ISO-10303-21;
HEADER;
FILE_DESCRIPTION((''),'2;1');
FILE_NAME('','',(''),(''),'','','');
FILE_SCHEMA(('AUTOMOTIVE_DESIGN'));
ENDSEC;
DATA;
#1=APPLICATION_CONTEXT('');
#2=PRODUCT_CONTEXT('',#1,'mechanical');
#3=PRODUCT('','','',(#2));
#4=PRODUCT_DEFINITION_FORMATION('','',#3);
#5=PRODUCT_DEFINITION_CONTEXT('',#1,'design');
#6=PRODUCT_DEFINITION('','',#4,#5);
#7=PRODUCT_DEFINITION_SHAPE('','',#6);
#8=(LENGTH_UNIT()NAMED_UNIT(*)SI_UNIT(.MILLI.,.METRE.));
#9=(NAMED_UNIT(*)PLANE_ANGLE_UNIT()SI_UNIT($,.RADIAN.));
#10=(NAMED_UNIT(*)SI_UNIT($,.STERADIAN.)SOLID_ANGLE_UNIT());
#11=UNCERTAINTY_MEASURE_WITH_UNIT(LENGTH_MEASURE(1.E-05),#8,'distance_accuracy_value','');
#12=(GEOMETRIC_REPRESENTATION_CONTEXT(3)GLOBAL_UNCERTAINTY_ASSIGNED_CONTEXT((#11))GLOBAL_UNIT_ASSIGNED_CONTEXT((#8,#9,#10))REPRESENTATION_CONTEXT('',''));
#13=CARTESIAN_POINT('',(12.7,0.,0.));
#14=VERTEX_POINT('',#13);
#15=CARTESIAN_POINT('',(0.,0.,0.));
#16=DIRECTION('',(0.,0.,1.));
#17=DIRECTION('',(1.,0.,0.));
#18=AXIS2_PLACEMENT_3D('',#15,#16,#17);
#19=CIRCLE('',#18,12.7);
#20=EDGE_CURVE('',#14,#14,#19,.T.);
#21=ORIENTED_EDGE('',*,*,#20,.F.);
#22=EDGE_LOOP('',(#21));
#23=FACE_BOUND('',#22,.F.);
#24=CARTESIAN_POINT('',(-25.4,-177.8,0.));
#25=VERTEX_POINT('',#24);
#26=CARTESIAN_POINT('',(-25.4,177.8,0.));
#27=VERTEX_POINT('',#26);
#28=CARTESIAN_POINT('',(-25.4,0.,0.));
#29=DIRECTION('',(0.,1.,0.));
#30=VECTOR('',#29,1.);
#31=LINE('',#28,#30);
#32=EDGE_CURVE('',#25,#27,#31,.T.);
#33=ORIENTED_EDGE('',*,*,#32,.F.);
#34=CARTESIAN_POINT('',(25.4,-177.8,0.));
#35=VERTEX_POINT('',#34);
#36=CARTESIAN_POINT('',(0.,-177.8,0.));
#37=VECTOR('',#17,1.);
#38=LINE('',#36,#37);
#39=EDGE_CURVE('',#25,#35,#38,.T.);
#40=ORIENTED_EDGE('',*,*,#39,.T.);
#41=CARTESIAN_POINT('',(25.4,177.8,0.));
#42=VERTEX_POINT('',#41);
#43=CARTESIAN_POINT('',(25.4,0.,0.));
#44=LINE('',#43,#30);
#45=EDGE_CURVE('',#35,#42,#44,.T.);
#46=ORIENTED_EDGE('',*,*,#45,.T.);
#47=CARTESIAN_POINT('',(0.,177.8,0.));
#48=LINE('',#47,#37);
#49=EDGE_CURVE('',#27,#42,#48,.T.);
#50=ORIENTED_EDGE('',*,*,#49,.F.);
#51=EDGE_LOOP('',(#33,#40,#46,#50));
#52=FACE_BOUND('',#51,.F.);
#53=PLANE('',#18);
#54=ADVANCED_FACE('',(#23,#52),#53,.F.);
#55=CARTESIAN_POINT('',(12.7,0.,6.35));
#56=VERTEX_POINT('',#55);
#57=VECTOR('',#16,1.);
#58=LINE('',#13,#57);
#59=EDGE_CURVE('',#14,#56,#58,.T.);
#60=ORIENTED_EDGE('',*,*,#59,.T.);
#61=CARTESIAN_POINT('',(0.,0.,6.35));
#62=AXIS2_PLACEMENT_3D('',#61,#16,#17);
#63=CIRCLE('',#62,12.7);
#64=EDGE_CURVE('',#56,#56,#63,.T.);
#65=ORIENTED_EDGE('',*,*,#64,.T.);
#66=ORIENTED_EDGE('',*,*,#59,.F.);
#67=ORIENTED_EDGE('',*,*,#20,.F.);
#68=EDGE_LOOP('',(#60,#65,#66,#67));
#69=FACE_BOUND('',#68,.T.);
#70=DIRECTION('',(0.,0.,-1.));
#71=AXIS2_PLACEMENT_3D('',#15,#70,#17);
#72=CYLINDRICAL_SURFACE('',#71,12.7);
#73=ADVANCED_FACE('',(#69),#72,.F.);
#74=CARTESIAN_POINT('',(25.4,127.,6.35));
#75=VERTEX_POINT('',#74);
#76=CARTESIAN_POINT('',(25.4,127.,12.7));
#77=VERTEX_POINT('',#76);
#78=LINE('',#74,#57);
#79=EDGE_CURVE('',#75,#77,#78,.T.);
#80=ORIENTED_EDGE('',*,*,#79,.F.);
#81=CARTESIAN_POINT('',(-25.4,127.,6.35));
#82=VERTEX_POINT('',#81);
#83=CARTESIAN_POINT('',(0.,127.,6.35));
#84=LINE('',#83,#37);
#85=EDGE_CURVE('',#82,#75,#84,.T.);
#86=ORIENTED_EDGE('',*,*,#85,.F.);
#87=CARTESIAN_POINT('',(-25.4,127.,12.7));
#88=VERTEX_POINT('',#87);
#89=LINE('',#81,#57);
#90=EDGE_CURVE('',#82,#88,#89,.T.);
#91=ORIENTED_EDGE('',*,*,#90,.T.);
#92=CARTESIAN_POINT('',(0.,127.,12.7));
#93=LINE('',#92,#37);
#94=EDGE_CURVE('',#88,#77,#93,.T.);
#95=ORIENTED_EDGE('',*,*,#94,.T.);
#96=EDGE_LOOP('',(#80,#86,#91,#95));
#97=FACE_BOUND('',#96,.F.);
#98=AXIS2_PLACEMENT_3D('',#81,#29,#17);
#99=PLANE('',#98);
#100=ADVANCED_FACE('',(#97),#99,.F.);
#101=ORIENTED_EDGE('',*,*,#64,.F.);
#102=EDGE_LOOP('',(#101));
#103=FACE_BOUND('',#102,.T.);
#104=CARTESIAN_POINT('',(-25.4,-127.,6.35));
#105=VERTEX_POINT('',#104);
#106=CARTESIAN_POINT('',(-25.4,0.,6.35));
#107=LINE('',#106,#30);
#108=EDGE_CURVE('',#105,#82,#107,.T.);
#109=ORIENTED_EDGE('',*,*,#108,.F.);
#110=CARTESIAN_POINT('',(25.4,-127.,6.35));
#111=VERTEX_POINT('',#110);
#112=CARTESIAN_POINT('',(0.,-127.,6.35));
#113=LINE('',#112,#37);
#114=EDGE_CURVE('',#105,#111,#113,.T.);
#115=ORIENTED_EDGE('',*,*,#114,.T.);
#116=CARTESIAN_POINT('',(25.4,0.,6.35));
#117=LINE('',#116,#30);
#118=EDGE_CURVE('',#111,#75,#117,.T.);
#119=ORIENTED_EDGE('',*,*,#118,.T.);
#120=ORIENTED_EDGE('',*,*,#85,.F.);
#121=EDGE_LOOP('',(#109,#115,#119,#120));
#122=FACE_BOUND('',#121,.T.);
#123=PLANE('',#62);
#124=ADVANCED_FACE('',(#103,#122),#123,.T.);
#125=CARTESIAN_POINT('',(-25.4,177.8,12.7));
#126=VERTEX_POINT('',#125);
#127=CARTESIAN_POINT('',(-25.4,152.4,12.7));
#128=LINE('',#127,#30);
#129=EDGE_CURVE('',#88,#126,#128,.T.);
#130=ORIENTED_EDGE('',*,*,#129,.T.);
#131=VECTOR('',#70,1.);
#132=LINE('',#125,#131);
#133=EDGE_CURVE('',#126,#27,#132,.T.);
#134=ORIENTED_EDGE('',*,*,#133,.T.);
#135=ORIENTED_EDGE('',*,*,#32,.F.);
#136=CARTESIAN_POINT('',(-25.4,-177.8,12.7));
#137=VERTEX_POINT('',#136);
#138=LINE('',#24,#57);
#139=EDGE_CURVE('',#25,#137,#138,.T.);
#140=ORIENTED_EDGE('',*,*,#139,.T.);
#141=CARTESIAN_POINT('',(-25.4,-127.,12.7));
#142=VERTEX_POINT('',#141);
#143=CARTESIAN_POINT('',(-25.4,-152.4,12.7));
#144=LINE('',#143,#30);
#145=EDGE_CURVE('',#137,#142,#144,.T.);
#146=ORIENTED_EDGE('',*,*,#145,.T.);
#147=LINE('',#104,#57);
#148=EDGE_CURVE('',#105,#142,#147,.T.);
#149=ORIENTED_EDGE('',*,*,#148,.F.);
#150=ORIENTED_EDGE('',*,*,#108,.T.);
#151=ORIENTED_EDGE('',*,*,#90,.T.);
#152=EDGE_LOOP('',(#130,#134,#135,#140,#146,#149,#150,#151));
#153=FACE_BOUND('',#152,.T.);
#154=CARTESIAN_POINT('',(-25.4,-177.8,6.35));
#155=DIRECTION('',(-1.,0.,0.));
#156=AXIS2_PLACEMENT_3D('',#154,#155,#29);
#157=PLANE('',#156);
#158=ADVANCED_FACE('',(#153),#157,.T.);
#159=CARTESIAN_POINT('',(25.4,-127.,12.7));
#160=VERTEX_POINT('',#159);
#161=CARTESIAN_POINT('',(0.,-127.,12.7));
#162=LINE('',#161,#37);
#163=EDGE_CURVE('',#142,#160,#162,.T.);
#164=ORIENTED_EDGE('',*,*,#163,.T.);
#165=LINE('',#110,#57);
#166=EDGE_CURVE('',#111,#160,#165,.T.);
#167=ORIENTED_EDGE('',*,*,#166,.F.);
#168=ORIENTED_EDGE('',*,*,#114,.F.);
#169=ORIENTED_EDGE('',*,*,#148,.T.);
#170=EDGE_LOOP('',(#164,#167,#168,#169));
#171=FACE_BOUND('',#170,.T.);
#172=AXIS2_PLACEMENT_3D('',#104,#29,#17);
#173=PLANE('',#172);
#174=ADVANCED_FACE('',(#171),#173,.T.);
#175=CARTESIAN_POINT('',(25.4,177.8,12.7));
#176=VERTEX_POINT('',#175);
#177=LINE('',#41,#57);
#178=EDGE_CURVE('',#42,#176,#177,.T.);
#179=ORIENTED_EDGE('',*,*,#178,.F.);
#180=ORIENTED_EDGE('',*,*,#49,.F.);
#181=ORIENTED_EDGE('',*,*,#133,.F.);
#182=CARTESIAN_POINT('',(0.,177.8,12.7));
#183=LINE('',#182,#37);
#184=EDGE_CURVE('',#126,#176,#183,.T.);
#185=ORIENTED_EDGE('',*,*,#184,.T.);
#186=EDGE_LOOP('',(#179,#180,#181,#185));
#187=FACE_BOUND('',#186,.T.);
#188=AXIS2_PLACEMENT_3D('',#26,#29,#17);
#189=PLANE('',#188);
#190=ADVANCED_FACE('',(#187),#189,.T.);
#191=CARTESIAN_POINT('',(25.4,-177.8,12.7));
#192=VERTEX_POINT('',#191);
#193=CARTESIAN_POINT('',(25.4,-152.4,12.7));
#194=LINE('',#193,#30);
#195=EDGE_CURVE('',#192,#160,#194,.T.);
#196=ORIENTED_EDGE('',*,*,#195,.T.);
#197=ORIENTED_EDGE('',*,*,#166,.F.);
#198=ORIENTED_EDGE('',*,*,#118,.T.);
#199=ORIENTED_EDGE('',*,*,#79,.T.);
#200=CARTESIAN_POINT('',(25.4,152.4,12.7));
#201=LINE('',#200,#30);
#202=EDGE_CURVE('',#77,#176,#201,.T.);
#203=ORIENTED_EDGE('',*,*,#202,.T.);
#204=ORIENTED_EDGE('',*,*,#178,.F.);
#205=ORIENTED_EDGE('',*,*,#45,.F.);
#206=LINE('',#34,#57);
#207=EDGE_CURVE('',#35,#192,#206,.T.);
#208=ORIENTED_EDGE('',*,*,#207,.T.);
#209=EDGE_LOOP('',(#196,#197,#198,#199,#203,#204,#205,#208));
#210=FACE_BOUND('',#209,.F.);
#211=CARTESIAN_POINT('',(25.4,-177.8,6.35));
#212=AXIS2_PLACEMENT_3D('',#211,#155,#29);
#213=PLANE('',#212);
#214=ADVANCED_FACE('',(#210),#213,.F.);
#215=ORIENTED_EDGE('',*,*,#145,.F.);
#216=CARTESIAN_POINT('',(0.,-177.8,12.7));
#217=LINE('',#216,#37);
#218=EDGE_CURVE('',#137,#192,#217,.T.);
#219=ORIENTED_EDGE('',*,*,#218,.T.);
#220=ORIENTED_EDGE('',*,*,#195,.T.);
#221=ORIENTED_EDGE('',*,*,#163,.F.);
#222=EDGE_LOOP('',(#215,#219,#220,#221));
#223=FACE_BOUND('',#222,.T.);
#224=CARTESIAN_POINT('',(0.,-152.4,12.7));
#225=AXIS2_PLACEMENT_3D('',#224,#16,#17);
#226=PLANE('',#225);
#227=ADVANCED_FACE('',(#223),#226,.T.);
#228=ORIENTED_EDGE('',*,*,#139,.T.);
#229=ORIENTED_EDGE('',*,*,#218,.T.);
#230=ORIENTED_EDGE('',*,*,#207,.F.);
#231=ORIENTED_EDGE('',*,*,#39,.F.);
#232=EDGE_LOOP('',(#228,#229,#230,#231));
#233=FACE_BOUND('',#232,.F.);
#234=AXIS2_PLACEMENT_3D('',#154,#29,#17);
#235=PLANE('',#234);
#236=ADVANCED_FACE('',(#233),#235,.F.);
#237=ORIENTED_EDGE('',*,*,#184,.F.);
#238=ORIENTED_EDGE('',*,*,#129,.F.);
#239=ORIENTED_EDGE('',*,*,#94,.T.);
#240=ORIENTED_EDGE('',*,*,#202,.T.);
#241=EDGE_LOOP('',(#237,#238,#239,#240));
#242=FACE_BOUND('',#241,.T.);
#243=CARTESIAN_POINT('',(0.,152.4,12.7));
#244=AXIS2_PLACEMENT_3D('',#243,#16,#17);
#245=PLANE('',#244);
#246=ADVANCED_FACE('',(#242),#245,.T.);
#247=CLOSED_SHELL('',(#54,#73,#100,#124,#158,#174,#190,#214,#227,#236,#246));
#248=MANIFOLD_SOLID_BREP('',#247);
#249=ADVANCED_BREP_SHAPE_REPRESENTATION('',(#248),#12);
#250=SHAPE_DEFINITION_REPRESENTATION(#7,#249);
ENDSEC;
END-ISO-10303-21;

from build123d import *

# Parameters (mm, degrees)
F0_W     = 50.8
F0_H     = 355.6
F0_R     = 12.7
F1_DEPTH = 6.35
F2_W     = 50.8
F2_H     = 50.8
F3_DEPTH = 6.35


with BuildPart() as f1:
    # F0 (on Top) → F1 (new body)
    with BuildSketch(Plane.XY):
        Rectangle(F0_W, F0_H)
        Circle(F0_R, mode=Mode.SUBTRACT)
    extrude(amount=F1_DEPTH)

    # F2 (on face) → F3 (join)
    with BuildSketch(Plane.XY.offset(6.35)):
        with Locations((0, -152.4)):
            Rectangle(F2_W, F2_H)
        with Locations((0, 152.4)):
            Rectangle(F2_W, F2_H)
    extrude(amount=F3_DEPTH)


solid = f1.part
